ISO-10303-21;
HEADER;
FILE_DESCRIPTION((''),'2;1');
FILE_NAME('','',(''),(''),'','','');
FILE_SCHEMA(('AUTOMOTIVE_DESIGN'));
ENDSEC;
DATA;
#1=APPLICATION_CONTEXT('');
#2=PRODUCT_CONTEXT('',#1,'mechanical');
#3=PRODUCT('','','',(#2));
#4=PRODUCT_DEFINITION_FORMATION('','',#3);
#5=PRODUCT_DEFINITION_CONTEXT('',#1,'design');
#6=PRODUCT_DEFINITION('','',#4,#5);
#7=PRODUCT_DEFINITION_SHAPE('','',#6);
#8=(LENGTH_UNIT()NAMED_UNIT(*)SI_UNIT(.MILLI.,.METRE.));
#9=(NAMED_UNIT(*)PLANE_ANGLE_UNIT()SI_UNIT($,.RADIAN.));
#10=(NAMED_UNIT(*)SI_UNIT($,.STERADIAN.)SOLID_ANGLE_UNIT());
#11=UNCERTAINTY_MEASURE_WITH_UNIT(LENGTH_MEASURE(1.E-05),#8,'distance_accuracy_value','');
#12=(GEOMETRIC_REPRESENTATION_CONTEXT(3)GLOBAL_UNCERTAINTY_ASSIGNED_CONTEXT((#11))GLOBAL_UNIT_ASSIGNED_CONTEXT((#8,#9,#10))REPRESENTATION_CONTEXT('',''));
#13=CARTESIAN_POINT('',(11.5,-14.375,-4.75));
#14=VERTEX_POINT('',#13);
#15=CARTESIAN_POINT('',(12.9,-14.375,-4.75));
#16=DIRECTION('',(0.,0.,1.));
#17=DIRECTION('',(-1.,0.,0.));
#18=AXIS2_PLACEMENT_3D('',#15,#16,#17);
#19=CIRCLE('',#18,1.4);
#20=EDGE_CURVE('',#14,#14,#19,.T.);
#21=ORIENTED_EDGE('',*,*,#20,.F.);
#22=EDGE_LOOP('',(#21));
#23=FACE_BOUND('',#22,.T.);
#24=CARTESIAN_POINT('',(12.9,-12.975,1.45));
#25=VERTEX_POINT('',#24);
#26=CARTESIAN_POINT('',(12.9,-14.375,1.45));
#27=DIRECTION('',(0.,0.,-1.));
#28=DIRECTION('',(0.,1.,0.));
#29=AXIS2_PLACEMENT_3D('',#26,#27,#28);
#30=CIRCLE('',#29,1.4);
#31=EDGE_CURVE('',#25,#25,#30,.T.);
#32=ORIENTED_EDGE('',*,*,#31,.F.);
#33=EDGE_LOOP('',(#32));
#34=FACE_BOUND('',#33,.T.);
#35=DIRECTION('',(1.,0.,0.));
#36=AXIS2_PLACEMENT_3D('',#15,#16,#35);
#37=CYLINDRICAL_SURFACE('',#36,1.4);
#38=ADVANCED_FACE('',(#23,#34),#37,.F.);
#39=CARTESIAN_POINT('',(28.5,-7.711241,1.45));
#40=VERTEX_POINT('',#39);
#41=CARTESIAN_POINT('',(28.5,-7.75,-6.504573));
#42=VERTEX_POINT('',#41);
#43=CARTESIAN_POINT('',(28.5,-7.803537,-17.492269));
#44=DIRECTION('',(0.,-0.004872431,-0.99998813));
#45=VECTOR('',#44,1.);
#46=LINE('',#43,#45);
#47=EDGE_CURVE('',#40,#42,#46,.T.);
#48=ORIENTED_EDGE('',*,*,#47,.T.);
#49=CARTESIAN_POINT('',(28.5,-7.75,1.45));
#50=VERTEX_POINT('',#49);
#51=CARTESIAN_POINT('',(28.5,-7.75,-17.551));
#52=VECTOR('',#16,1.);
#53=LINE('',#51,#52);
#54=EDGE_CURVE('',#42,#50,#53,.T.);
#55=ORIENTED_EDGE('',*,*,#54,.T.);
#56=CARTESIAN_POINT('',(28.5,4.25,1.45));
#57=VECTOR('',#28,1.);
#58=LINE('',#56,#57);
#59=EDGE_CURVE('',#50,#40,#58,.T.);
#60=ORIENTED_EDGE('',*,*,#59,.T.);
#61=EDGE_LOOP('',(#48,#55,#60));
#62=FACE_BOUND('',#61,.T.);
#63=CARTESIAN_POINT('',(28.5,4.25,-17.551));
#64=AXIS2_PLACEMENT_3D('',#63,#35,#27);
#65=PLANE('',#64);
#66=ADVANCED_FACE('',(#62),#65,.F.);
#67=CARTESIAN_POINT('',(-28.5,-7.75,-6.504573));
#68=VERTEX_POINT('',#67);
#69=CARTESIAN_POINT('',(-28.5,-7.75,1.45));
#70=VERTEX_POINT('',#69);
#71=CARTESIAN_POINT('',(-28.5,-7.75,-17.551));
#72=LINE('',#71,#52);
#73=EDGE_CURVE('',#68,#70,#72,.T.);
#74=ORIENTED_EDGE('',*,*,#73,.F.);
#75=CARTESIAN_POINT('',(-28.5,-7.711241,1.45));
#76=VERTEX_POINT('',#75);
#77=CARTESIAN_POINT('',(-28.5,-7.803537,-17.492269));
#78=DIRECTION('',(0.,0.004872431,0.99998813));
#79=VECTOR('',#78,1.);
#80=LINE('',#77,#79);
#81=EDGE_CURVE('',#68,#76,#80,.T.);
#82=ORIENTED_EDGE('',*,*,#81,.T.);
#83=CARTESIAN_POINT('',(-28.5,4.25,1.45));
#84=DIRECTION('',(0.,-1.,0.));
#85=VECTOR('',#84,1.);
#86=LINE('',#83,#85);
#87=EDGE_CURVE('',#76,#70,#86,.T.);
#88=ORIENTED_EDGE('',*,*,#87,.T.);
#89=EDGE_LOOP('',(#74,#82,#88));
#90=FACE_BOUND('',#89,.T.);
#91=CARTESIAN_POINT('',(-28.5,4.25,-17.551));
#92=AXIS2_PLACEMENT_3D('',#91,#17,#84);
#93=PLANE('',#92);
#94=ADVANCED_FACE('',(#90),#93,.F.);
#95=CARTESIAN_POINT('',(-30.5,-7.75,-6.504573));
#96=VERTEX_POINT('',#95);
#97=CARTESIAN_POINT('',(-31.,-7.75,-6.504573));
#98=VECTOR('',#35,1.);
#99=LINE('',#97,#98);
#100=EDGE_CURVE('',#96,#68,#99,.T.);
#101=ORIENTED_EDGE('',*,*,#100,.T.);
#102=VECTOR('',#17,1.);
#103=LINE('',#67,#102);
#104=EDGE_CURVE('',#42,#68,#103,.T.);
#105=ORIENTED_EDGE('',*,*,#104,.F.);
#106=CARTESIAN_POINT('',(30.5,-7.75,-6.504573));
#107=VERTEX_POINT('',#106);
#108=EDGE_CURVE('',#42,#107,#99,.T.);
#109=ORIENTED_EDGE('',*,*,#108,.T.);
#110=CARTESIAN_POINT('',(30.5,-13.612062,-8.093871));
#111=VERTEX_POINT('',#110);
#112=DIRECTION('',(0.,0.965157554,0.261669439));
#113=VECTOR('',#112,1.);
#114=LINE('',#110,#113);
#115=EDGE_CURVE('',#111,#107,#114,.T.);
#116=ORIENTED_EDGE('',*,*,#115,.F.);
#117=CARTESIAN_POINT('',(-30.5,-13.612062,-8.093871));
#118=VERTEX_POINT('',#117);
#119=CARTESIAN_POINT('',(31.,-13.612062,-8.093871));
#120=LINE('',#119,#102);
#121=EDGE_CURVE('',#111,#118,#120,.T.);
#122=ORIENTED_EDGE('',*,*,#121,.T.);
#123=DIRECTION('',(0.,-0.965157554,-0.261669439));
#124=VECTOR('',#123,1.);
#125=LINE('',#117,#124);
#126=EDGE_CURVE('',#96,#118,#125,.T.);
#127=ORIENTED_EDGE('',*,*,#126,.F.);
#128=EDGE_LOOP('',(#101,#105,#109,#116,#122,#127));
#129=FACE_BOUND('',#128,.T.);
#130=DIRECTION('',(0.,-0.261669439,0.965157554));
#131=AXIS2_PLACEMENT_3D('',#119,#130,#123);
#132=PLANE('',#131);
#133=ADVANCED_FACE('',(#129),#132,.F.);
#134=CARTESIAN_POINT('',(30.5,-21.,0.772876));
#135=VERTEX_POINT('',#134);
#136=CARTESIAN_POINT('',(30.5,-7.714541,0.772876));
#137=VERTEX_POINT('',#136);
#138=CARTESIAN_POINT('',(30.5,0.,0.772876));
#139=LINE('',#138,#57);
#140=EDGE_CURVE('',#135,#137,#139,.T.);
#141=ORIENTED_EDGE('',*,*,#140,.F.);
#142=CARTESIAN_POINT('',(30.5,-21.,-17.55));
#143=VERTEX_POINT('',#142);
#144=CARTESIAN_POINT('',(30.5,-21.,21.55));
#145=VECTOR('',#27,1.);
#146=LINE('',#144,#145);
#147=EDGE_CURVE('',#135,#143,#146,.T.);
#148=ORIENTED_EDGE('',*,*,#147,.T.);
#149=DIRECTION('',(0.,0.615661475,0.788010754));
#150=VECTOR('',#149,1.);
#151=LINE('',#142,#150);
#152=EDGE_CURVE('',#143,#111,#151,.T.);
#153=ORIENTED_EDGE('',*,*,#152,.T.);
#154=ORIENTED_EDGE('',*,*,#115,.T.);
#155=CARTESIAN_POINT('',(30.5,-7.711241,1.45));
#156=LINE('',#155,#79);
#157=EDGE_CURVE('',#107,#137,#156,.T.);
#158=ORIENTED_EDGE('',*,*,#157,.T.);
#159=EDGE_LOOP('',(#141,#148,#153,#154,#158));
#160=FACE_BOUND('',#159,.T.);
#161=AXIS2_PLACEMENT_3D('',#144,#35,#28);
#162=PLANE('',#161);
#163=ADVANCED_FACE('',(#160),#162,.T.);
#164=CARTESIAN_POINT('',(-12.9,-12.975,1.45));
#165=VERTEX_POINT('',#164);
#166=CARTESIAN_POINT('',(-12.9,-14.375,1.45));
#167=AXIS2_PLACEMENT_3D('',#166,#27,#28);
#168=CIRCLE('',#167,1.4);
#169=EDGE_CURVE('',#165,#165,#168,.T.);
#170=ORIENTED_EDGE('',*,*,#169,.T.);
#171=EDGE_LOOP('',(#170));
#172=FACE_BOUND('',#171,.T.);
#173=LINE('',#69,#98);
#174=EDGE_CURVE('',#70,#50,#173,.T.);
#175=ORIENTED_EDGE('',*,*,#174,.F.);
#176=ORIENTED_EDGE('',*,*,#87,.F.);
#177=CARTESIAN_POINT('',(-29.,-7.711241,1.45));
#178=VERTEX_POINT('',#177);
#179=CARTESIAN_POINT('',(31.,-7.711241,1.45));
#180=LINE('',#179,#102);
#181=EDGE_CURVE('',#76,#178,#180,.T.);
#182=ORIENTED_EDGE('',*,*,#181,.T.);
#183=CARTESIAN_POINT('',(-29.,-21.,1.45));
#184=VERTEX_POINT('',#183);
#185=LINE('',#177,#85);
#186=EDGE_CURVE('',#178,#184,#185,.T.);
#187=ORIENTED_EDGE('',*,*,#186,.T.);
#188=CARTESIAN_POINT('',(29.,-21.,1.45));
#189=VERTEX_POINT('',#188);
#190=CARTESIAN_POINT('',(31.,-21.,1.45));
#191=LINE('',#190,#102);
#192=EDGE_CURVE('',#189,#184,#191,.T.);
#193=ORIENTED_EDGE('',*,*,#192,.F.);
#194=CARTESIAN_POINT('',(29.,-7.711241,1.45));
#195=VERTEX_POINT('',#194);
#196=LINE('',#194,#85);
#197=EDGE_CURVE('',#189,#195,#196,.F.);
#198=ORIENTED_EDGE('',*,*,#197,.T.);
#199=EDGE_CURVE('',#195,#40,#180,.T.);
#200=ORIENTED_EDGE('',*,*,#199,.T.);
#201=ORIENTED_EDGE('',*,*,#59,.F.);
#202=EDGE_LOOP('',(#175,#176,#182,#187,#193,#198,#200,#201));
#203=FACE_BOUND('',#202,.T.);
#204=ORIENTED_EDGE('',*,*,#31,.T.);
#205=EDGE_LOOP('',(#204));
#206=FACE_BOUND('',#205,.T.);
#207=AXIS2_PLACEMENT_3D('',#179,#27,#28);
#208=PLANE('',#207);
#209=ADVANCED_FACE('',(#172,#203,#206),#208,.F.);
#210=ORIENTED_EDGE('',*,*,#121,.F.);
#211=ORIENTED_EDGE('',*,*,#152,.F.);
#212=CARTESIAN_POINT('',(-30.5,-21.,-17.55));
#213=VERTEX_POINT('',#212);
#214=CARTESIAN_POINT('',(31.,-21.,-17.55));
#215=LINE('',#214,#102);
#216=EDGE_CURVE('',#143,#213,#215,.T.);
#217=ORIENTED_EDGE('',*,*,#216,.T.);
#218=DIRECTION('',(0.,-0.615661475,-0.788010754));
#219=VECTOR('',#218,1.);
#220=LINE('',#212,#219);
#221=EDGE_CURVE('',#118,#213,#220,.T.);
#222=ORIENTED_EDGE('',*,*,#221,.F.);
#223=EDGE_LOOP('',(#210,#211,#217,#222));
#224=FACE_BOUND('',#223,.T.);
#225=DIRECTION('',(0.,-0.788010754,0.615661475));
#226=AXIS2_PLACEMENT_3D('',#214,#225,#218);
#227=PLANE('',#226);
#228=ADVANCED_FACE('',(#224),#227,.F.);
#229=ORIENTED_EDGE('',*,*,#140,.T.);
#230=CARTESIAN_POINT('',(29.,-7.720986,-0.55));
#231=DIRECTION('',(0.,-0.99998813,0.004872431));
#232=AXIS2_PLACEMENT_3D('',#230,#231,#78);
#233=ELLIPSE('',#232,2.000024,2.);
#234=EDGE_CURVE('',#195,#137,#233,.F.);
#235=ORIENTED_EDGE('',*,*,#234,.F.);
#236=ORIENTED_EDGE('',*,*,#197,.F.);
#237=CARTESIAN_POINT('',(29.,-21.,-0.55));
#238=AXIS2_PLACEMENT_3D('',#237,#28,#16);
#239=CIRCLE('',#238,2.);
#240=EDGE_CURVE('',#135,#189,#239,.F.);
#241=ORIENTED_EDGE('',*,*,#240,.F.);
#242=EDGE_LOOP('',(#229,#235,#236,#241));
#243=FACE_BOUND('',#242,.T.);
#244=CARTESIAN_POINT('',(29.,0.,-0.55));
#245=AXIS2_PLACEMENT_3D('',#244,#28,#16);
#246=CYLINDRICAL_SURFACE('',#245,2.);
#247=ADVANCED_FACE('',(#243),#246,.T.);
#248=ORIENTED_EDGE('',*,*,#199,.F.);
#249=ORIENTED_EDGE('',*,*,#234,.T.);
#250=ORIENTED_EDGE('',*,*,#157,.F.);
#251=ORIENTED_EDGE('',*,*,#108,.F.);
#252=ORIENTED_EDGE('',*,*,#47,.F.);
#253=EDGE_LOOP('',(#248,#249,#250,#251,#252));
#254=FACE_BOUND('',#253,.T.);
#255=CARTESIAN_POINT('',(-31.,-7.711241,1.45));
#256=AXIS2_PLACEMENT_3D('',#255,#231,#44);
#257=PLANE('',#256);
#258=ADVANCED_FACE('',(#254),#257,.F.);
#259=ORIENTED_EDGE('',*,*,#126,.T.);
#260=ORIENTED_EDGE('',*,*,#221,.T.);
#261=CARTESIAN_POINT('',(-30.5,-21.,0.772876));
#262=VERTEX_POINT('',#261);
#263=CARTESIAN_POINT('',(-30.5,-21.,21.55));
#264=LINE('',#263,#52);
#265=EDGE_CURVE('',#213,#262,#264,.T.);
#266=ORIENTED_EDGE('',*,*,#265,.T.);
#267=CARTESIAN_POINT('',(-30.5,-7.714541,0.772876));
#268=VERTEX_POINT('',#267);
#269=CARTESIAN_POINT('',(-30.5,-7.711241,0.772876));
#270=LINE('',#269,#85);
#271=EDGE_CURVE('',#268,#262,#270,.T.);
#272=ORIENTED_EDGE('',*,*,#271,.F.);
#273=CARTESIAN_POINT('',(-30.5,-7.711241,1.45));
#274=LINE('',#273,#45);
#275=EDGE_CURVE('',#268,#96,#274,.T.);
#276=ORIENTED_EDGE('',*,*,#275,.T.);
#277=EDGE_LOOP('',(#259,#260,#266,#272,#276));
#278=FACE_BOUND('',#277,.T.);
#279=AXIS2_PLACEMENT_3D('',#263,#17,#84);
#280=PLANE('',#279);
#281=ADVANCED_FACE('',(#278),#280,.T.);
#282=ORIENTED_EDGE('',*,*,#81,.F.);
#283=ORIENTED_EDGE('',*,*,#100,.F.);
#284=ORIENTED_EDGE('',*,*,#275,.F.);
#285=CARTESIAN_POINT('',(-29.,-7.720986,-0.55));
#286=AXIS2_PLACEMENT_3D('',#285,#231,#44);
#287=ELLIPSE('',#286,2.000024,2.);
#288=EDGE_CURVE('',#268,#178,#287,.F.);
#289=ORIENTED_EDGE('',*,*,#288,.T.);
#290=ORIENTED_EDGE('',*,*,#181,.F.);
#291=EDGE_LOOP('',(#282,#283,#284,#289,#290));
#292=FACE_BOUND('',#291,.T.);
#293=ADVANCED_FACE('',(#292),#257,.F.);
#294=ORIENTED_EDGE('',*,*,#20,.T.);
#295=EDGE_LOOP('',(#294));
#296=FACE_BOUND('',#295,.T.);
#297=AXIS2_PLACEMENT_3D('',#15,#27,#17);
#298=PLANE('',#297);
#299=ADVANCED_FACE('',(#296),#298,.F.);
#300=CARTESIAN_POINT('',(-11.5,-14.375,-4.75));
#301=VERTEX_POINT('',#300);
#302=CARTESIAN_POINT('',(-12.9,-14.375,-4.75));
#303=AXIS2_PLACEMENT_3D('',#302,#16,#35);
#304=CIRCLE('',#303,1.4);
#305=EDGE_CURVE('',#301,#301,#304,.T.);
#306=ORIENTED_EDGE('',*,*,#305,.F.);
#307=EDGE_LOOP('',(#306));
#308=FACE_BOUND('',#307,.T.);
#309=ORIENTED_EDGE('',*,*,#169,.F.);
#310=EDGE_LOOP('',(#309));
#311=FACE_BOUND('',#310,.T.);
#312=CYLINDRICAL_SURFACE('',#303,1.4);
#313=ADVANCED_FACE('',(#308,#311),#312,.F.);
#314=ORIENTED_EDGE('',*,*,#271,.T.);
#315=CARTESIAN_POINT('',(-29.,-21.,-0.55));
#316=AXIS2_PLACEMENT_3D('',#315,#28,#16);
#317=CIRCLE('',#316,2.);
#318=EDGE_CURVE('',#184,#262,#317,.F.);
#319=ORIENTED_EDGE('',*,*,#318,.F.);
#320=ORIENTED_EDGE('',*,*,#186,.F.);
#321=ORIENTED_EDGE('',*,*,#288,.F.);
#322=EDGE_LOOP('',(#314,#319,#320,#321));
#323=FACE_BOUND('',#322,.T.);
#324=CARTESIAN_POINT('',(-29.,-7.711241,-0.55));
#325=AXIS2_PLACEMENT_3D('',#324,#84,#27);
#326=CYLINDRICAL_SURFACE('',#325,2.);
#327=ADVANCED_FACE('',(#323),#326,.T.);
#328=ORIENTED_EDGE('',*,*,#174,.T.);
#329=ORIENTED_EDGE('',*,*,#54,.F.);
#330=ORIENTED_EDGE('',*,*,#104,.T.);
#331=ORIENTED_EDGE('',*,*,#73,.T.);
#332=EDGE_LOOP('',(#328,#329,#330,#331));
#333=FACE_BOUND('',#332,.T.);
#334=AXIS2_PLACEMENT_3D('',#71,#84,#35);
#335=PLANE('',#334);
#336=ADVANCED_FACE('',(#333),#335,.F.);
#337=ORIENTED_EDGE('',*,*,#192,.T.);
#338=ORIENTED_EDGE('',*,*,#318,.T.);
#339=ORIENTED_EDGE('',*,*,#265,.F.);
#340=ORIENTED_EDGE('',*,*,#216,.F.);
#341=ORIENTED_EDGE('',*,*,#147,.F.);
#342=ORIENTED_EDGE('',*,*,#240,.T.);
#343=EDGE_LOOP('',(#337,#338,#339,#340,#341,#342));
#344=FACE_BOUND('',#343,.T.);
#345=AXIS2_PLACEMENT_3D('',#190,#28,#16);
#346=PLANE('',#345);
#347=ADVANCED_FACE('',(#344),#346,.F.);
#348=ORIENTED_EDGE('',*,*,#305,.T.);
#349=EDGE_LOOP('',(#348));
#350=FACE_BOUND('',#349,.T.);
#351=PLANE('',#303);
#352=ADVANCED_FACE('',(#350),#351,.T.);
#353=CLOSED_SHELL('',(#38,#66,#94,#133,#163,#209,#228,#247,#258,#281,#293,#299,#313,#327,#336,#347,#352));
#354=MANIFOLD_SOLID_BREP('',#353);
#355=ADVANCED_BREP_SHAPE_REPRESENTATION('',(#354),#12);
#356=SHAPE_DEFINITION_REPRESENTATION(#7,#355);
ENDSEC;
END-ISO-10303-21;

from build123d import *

# Parameters (mm, degrees)
SKETCH1_R               = 2.15
BOSS_EXTRUDE1_DEPTH     = 31
CUT_EXTRUDE1_REACH      = 45.327
SKETCH2_W               = 57
SKETCH2_H               = 12
SKETCH7_R               = 1.4
CUT_EXTRUDE2_DEPTH      = 9
CUT_EXTRUDE3_DEPTH      = 68.771693944
FILLET1_R               = 2
CUT_EXTRUDE4_DEPTH      = 39.007433483
CUT_EXTRUDE4_DEPTH_BACK = 39.007433483
SKETCH9_W               = 62
SKETCH9_H               = 45.1
SKETCH9_W_2             = 61
SKETCH9_H_2             = 43.1


with BuildPart() as part:
    # Sketch1 → Boss-Extrude1 (new, symmetric)
    with BuildSketch(Plane(origin=(0, 0, 0), x_dir=(0, 0, -1), z_dir=(1, 0, 0))):
        with BuildLine():
            Line((-4.25, 0), (-4.25, -4))
            ThreePointArc((-4.25, -4), (-4.105356672, -4.642657212), (-3.699322277, -5.161372987))
            Line((-3.699322277, -5.161372987), (-2.000677723, -6.549868444))
            ThreePointArc((-2.000677723, -6.549868444), (-1.594643328, -7.068584218), (-1.45, -7.71124143))
            Line((-1.45, -7.71124143), (-1.45, -21))
            Line((-1.45, -21), (17.55, -21))
            Line((17.55, -21), (8.093870957, -13.612062296))
            Line((8.093870957, -13.612062296), (4.101919606, 1.112095114))
            ThreePointArc((4.101919606, 1.112095114), (-0.560955289, 4.212817248), (-4.25, 0))
        make_face()
        Circle(SKETCH1_R, mode=Mode.SUBTRACT)
    extrude(amount=BOSS_EXTRUDE1_DEPTH, both=True)

    # Cut-Extrude1: up to this plane
    cut_extrude1_end = Plane(origin=(31, -13.612062296, -8.093870957), z_dir=(0, -0.26166943856052705, 0.9651575544559649))
    # Sketch2 → Cut-Extrude1 (cut, up to the surface)
    with BuildSketch(Plane.XY.offset(4.25), mode=Mode.PRIVATE) as cut_extrude1_sk1:
        with Locations((0, -1.75)):
            Rectangle(SKETCH2_W, SKETCH2_H)
    cut_extrude1_tool1 = split(extrude(cut_extrude1_sk1.sketch, amount=-CUT_EXTRUDE1_REACH, mode=Mode.PRIVATE), bisect_by=cut_extrude1_end, keep=Keep.BOTH, mode=Mode.PRIVATE)
    add(cut_extrude1_tool1.solids().sort_by_distance((0, -1.75, 4.25))[0], mode=Mode.SUBTRACT)

    # Sketch7 → Cut-Extrude2 (cut)
    with BuildSketch(Plane.XY.offset(4.25)):
        with Locations((-12.9, -14.375)):
            Circle(SKETCH7_R)
        with Locations(Location((12.9, -14.375, 0), (0, 0, 90))):
            Circle(SKETCH7_R)
    extrude(amount=-CUT_EXTRUDE2_DEPTH, mode=Mode.SUBTRACT)

    # Sketch8 → Cut-Extrude3 (cut, through all)
    with BuildSketch(Plane(origin=(31, 0, 0), x_dir=(0, 0, -1), z_dir=(1, 0, 0))):
        with BuildLine():
            Line((-1.45, -7.71124143), (6.504573393, -7.75))
            Line((6.504573393, -7.75), (4.101919606, 1.112095114))
            ThreePointArc((4.101919606, 1.112095114), (-0.560955289, 4.212817248), (-4.25, 0))
            Line((-4.25, 0), (-4.25, -4))
            ThreePointArc((-4.25, -4), (-4.105356672, -4.642657212), (-3.699322277, -5.161372987))
            Line((-3.699322277, -5.161372987), (-2.000677723, -6.549868444))
            ThreePointArc((-2.000677723, -6.549868444), (-1.594643328, -7.068584218), (-1.45, -7.71124143))
        make_face()
    extrude(amount=-CUT_EXTRUDE3_DEPTH, mode=Mode.SUBTRACT)

    # Fillet1
    fillet1_edges = [part.edges().sort_by_distance(p)[0] for p in [
        (31, -14.355620715, 1.45),
        (-31, -14.355620715, 1.45),
    ]]
    fillet(fillet1_edges, radius=FILLET1_R)

    # Sketch9 → Cut-Extrude4 (cut, two sides: drawn at the far end of the back side and taken through both)
    with BuildSketch(Plane(origin=(0, -7.75, 0), x_dir=(1, 0, 0), z_dir=(0, 1, 0)).offset(-CUT_EXTRUDE4_DEPTH_BACK)):
        Rectangle(SKETCH9_W, SKETCH9_H)
        Rectangle(SKETCH9_W_2, SKETCH9_H_2, mode=Mode.SUBTRACT)
    extrude(amount=CUT_EXTRUDE4_DEPTH + CUT_EXTRUDE4_DEPTH_BACK, mode=Mode.SUBTRACT)


solid = part.part
